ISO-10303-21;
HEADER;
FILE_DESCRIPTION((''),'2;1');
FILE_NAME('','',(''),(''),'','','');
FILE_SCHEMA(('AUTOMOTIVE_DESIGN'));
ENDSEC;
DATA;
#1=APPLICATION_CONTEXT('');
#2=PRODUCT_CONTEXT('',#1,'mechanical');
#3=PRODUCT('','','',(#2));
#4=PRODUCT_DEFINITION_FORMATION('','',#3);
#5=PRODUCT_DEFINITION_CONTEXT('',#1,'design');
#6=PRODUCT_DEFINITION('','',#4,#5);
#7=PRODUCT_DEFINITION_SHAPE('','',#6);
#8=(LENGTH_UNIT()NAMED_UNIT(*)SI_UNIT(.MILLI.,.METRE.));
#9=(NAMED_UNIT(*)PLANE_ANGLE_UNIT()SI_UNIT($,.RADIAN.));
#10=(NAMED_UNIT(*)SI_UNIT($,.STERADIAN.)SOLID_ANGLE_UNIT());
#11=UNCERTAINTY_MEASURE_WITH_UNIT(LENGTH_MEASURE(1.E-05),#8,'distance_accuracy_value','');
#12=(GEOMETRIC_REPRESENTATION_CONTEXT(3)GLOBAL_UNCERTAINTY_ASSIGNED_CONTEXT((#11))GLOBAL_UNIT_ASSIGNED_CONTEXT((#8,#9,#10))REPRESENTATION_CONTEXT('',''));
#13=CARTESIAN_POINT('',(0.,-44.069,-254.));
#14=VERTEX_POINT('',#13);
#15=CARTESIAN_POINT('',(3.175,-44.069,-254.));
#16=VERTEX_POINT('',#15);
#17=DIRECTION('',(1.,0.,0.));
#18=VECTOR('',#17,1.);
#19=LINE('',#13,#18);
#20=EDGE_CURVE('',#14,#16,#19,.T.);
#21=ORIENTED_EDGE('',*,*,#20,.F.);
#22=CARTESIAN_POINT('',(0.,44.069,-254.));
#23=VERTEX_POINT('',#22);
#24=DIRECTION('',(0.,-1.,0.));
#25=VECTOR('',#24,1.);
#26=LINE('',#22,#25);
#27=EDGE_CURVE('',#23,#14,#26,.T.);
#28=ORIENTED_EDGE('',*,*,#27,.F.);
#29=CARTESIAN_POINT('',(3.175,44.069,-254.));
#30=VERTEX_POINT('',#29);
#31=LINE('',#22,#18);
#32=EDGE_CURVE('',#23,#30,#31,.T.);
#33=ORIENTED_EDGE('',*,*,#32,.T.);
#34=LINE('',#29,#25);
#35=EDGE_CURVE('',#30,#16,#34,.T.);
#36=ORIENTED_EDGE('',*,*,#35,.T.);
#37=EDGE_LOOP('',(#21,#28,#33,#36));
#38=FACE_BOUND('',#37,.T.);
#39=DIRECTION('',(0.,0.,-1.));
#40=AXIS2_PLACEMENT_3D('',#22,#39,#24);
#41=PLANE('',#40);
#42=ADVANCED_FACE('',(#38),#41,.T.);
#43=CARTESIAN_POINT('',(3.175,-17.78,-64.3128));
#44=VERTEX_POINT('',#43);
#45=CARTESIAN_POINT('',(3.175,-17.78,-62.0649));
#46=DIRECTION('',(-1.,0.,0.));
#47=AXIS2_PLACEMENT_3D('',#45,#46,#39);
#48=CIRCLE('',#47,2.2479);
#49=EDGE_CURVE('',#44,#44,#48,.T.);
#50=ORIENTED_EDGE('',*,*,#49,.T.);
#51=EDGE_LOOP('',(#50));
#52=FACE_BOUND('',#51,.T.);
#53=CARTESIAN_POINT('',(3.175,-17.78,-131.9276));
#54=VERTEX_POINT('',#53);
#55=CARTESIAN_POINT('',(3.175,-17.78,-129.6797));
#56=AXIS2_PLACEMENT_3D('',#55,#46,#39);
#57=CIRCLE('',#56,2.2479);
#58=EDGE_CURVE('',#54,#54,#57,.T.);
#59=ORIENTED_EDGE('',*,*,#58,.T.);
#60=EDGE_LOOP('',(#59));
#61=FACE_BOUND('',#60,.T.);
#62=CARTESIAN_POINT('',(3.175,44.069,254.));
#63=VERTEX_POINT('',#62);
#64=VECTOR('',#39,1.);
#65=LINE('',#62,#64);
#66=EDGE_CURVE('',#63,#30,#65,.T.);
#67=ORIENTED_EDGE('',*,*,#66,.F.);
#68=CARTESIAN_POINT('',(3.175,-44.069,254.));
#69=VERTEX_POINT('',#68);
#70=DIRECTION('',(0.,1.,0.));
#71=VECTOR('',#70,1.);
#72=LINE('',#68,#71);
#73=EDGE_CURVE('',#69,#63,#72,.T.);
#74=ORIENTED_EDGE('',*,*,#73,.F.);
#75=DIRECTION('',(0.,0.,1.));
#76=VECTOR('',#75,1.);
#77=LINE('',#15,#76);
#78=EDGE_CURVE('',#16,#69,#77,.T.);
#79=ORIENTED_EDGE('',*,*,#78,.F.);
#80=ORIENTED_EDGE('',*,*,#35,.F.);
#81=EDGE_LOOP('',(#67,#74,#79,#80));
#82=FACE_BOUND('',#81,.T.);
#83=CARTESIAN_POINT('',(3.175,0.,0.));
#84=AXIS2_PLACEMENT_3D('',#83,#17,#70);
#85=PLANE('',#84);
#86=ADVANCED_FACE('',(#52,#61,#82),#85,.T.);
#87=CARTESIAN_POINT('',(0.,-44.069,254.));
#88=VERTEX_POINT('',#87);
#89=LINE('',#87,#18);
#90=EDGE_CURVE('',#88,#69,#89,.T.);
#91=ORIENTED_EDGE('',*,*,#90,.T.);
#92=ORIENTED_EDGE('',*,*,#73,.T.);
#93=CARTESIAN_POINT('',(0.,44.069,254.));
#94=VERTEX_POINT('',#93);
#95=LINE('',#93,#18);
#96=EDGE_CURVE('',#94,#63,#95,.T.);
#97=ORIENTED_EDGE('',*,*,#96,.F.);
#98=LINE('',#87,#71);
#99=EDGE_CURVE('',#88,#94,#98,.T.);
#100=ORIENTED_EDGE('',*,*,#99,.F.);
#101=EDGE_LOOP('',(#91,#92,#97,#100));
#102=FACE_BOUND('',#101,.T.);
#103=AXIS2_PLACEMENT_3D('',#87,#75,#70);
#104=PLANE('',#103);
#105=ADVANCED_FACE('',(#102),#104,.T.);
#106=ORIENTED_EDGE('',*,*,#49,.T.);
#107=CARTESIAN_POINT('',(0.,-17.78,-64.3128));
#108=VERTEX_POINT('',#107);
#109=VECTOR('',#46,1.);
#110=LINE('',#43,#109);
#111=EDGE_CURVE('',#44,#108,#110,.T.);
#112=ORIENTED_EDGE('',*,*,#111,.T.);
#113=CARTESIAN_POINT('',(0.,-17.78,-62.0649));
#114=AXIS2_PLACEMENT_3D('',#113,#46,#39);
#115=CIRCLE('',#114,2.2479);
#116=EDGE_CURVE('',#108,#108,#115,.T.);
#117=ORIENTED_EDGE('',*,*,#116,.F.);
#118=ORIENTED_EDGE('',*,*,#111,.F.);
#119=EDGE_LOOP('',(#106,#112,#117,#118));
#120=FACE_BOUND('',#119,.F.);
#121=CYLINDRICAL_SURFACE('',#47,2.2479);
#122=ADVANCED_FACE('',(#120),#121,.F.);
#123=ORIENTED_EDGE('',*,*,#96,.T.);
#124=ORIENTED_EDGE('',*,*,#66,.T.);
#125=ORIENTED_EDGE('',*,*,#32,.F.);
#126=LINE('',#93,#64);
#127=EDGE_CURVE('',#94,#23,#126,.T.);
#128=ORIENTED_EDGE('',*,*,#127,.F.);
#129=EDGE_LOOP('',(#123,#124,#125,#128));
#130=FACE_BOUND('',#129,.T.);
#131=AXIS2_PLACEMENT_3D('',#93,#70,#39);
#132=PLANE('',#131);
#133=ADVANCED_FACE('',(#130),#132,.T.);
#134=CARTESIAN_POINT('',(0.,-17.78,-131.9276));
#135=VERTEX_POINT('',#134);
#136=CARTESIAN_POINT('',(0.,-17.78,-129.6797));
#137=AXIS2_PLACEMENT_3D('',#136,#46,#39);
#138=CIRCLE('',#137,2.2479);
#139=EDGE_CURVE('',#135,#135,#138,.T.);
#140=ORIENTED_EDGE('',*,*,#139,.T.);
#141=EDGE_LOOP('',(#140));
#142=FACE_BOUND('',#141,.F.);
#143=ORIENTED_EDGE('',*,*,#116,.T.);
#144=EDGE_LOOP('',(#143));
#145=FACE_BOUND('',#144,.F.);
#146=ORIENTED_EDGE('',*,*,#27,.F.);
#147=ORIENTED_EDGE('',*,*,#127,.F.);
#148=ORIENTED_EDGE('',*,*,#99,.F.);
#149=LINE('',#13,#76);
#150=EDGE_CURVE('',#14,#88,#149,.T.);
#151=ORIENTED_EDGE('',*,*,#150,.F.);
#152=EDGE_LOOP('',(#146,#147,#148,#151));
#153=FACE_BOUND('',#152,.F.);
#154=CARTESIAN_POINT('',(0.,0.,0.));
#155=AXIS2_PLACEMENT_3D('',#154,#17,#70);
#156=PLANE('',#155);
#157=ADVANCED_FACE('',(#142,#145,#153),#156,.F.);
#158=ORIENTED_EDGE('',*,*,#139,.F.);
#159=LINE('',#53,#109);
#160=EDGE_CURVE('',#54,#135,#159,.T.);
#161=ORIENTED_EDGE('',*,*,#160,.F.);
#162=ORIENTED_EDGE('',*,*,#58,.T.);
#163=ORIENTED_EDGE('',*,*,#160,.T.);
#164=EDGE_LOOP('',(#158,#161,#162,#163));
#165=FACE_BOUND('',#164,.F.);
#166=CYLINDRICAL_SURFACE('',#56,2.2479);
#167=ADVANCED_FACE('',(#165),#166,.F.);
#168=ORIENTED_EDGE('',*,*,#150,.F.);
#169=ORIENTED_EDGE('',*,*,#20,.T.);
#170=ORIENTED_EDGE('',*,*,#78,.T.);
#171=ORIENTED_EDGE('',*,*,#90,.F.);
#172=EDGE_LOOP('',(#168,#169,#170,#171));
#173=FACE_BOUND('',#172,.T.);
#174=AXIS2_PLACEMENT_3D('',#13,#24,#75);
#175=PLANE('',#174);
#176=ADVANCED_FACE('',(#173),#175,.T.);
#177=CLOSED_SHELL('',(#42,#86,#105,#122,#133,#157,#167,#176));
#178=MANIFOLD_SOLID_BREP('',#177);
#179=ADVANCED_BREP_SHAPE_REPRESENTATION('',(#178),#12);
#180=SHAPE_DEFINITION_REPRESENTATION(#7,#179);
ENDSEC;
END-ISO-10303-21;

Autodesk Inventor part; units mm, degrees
ref_plane "YZ Plane" through (0, 0, 0) normal (1, 0, 0) x (0, 1, 0)
ref_plane "XZ Plane" through (0, 0, 0) normal (0, 1, 0) x (-1, 0, 0)
ref_plane "XY Plane" through (0, 0, 0) normal (0, 0, 1) x (1, 0, 0)
sketch "Sketch1" plane through (0, 0, 0) normal (1, 0, 0) x (0, 1, 0)
  line L0 (-44.069, 254) -> (44.069, 254)
  line L1 (44.069, 254) -> (44.069, -254)
  line L2 (44.069, -254) -> (-44.069, -254)
  line L3 (-44.069, -254) -> (-44.069, 254)
  line L4 (-44.069, 254) -> (44.069, -254) construction
  line L5 (44.069, 254) -> (-44.069, -254) construction
  point P0 (0, 0)
  dimension "d0" = 508
  dimension "d1" = 88.138
extrude "Extrusion1" add sketch "Sketch1" along normal blind 3.175
sketch "Sketch2" plane through (3.175, 0, 0) normal (1, 0, 0) x (0, 0, -1)
  line L0 (28.2321, -44.069) -> (163.5125, -44.069) construction
  line L1 (163.5125, -44.069) -> (163.5125, 0.127) construction
  line L2 (163.5125, 0.127) -> (28.2321, 0.127) construction
  line L3 (28.2321, 0.127) -> (28.2321, -44.069) construction
  line L4 (28.2321, -44.069) -> (163.5125, 0.127) construction
  line L5 (163.5125, -44.069) -> (28.2321, 0.127) construction
  line L6 (254, -44.069) -> (254, 44.069) construction
  line L7 (-254, -44.069) -> (254, -44.069) construction
  point P0 (0, 0)
  point P1 (95.8723, -21.971)
  point P2 (10.6003, -44.069)
  dimension "d4" = 135.2804
  dimension "d5" = 44.196
  dimension "d6" = 90.4875
sketch "Sketch3" plane through (3.175, 0, 0) normal (1, 0, 0) x (0, 0, -1)
  line L0 (62.0649, -17.78) -> (129.6797, -17.78) construction
  line L1 (-254, -44.069) -> (254, -44.069) construction
  line L2 (163.5125, -44.069) -> (163.5125, 0.127) construction
  line L3 (28.2321, 0.127) -> (28.2321, -44.069) construction
  point P0 (0, 0)
  dimension "d7" = 26.289
  dimension "d8" = 33.8328
  dimension "d9" = 33.8328
hole "Hole1" at (3.175, -17.78, -62.0649) at (3.175, -17.78, -129.6797) direction (-1, 0, 0) diameter 4.4958 end through all clearance for "Countersunk Flat Head Screw ISO 2009/7046" size "M4" standard "ISO"
properties part number "nmt_sidepanel_20in"
